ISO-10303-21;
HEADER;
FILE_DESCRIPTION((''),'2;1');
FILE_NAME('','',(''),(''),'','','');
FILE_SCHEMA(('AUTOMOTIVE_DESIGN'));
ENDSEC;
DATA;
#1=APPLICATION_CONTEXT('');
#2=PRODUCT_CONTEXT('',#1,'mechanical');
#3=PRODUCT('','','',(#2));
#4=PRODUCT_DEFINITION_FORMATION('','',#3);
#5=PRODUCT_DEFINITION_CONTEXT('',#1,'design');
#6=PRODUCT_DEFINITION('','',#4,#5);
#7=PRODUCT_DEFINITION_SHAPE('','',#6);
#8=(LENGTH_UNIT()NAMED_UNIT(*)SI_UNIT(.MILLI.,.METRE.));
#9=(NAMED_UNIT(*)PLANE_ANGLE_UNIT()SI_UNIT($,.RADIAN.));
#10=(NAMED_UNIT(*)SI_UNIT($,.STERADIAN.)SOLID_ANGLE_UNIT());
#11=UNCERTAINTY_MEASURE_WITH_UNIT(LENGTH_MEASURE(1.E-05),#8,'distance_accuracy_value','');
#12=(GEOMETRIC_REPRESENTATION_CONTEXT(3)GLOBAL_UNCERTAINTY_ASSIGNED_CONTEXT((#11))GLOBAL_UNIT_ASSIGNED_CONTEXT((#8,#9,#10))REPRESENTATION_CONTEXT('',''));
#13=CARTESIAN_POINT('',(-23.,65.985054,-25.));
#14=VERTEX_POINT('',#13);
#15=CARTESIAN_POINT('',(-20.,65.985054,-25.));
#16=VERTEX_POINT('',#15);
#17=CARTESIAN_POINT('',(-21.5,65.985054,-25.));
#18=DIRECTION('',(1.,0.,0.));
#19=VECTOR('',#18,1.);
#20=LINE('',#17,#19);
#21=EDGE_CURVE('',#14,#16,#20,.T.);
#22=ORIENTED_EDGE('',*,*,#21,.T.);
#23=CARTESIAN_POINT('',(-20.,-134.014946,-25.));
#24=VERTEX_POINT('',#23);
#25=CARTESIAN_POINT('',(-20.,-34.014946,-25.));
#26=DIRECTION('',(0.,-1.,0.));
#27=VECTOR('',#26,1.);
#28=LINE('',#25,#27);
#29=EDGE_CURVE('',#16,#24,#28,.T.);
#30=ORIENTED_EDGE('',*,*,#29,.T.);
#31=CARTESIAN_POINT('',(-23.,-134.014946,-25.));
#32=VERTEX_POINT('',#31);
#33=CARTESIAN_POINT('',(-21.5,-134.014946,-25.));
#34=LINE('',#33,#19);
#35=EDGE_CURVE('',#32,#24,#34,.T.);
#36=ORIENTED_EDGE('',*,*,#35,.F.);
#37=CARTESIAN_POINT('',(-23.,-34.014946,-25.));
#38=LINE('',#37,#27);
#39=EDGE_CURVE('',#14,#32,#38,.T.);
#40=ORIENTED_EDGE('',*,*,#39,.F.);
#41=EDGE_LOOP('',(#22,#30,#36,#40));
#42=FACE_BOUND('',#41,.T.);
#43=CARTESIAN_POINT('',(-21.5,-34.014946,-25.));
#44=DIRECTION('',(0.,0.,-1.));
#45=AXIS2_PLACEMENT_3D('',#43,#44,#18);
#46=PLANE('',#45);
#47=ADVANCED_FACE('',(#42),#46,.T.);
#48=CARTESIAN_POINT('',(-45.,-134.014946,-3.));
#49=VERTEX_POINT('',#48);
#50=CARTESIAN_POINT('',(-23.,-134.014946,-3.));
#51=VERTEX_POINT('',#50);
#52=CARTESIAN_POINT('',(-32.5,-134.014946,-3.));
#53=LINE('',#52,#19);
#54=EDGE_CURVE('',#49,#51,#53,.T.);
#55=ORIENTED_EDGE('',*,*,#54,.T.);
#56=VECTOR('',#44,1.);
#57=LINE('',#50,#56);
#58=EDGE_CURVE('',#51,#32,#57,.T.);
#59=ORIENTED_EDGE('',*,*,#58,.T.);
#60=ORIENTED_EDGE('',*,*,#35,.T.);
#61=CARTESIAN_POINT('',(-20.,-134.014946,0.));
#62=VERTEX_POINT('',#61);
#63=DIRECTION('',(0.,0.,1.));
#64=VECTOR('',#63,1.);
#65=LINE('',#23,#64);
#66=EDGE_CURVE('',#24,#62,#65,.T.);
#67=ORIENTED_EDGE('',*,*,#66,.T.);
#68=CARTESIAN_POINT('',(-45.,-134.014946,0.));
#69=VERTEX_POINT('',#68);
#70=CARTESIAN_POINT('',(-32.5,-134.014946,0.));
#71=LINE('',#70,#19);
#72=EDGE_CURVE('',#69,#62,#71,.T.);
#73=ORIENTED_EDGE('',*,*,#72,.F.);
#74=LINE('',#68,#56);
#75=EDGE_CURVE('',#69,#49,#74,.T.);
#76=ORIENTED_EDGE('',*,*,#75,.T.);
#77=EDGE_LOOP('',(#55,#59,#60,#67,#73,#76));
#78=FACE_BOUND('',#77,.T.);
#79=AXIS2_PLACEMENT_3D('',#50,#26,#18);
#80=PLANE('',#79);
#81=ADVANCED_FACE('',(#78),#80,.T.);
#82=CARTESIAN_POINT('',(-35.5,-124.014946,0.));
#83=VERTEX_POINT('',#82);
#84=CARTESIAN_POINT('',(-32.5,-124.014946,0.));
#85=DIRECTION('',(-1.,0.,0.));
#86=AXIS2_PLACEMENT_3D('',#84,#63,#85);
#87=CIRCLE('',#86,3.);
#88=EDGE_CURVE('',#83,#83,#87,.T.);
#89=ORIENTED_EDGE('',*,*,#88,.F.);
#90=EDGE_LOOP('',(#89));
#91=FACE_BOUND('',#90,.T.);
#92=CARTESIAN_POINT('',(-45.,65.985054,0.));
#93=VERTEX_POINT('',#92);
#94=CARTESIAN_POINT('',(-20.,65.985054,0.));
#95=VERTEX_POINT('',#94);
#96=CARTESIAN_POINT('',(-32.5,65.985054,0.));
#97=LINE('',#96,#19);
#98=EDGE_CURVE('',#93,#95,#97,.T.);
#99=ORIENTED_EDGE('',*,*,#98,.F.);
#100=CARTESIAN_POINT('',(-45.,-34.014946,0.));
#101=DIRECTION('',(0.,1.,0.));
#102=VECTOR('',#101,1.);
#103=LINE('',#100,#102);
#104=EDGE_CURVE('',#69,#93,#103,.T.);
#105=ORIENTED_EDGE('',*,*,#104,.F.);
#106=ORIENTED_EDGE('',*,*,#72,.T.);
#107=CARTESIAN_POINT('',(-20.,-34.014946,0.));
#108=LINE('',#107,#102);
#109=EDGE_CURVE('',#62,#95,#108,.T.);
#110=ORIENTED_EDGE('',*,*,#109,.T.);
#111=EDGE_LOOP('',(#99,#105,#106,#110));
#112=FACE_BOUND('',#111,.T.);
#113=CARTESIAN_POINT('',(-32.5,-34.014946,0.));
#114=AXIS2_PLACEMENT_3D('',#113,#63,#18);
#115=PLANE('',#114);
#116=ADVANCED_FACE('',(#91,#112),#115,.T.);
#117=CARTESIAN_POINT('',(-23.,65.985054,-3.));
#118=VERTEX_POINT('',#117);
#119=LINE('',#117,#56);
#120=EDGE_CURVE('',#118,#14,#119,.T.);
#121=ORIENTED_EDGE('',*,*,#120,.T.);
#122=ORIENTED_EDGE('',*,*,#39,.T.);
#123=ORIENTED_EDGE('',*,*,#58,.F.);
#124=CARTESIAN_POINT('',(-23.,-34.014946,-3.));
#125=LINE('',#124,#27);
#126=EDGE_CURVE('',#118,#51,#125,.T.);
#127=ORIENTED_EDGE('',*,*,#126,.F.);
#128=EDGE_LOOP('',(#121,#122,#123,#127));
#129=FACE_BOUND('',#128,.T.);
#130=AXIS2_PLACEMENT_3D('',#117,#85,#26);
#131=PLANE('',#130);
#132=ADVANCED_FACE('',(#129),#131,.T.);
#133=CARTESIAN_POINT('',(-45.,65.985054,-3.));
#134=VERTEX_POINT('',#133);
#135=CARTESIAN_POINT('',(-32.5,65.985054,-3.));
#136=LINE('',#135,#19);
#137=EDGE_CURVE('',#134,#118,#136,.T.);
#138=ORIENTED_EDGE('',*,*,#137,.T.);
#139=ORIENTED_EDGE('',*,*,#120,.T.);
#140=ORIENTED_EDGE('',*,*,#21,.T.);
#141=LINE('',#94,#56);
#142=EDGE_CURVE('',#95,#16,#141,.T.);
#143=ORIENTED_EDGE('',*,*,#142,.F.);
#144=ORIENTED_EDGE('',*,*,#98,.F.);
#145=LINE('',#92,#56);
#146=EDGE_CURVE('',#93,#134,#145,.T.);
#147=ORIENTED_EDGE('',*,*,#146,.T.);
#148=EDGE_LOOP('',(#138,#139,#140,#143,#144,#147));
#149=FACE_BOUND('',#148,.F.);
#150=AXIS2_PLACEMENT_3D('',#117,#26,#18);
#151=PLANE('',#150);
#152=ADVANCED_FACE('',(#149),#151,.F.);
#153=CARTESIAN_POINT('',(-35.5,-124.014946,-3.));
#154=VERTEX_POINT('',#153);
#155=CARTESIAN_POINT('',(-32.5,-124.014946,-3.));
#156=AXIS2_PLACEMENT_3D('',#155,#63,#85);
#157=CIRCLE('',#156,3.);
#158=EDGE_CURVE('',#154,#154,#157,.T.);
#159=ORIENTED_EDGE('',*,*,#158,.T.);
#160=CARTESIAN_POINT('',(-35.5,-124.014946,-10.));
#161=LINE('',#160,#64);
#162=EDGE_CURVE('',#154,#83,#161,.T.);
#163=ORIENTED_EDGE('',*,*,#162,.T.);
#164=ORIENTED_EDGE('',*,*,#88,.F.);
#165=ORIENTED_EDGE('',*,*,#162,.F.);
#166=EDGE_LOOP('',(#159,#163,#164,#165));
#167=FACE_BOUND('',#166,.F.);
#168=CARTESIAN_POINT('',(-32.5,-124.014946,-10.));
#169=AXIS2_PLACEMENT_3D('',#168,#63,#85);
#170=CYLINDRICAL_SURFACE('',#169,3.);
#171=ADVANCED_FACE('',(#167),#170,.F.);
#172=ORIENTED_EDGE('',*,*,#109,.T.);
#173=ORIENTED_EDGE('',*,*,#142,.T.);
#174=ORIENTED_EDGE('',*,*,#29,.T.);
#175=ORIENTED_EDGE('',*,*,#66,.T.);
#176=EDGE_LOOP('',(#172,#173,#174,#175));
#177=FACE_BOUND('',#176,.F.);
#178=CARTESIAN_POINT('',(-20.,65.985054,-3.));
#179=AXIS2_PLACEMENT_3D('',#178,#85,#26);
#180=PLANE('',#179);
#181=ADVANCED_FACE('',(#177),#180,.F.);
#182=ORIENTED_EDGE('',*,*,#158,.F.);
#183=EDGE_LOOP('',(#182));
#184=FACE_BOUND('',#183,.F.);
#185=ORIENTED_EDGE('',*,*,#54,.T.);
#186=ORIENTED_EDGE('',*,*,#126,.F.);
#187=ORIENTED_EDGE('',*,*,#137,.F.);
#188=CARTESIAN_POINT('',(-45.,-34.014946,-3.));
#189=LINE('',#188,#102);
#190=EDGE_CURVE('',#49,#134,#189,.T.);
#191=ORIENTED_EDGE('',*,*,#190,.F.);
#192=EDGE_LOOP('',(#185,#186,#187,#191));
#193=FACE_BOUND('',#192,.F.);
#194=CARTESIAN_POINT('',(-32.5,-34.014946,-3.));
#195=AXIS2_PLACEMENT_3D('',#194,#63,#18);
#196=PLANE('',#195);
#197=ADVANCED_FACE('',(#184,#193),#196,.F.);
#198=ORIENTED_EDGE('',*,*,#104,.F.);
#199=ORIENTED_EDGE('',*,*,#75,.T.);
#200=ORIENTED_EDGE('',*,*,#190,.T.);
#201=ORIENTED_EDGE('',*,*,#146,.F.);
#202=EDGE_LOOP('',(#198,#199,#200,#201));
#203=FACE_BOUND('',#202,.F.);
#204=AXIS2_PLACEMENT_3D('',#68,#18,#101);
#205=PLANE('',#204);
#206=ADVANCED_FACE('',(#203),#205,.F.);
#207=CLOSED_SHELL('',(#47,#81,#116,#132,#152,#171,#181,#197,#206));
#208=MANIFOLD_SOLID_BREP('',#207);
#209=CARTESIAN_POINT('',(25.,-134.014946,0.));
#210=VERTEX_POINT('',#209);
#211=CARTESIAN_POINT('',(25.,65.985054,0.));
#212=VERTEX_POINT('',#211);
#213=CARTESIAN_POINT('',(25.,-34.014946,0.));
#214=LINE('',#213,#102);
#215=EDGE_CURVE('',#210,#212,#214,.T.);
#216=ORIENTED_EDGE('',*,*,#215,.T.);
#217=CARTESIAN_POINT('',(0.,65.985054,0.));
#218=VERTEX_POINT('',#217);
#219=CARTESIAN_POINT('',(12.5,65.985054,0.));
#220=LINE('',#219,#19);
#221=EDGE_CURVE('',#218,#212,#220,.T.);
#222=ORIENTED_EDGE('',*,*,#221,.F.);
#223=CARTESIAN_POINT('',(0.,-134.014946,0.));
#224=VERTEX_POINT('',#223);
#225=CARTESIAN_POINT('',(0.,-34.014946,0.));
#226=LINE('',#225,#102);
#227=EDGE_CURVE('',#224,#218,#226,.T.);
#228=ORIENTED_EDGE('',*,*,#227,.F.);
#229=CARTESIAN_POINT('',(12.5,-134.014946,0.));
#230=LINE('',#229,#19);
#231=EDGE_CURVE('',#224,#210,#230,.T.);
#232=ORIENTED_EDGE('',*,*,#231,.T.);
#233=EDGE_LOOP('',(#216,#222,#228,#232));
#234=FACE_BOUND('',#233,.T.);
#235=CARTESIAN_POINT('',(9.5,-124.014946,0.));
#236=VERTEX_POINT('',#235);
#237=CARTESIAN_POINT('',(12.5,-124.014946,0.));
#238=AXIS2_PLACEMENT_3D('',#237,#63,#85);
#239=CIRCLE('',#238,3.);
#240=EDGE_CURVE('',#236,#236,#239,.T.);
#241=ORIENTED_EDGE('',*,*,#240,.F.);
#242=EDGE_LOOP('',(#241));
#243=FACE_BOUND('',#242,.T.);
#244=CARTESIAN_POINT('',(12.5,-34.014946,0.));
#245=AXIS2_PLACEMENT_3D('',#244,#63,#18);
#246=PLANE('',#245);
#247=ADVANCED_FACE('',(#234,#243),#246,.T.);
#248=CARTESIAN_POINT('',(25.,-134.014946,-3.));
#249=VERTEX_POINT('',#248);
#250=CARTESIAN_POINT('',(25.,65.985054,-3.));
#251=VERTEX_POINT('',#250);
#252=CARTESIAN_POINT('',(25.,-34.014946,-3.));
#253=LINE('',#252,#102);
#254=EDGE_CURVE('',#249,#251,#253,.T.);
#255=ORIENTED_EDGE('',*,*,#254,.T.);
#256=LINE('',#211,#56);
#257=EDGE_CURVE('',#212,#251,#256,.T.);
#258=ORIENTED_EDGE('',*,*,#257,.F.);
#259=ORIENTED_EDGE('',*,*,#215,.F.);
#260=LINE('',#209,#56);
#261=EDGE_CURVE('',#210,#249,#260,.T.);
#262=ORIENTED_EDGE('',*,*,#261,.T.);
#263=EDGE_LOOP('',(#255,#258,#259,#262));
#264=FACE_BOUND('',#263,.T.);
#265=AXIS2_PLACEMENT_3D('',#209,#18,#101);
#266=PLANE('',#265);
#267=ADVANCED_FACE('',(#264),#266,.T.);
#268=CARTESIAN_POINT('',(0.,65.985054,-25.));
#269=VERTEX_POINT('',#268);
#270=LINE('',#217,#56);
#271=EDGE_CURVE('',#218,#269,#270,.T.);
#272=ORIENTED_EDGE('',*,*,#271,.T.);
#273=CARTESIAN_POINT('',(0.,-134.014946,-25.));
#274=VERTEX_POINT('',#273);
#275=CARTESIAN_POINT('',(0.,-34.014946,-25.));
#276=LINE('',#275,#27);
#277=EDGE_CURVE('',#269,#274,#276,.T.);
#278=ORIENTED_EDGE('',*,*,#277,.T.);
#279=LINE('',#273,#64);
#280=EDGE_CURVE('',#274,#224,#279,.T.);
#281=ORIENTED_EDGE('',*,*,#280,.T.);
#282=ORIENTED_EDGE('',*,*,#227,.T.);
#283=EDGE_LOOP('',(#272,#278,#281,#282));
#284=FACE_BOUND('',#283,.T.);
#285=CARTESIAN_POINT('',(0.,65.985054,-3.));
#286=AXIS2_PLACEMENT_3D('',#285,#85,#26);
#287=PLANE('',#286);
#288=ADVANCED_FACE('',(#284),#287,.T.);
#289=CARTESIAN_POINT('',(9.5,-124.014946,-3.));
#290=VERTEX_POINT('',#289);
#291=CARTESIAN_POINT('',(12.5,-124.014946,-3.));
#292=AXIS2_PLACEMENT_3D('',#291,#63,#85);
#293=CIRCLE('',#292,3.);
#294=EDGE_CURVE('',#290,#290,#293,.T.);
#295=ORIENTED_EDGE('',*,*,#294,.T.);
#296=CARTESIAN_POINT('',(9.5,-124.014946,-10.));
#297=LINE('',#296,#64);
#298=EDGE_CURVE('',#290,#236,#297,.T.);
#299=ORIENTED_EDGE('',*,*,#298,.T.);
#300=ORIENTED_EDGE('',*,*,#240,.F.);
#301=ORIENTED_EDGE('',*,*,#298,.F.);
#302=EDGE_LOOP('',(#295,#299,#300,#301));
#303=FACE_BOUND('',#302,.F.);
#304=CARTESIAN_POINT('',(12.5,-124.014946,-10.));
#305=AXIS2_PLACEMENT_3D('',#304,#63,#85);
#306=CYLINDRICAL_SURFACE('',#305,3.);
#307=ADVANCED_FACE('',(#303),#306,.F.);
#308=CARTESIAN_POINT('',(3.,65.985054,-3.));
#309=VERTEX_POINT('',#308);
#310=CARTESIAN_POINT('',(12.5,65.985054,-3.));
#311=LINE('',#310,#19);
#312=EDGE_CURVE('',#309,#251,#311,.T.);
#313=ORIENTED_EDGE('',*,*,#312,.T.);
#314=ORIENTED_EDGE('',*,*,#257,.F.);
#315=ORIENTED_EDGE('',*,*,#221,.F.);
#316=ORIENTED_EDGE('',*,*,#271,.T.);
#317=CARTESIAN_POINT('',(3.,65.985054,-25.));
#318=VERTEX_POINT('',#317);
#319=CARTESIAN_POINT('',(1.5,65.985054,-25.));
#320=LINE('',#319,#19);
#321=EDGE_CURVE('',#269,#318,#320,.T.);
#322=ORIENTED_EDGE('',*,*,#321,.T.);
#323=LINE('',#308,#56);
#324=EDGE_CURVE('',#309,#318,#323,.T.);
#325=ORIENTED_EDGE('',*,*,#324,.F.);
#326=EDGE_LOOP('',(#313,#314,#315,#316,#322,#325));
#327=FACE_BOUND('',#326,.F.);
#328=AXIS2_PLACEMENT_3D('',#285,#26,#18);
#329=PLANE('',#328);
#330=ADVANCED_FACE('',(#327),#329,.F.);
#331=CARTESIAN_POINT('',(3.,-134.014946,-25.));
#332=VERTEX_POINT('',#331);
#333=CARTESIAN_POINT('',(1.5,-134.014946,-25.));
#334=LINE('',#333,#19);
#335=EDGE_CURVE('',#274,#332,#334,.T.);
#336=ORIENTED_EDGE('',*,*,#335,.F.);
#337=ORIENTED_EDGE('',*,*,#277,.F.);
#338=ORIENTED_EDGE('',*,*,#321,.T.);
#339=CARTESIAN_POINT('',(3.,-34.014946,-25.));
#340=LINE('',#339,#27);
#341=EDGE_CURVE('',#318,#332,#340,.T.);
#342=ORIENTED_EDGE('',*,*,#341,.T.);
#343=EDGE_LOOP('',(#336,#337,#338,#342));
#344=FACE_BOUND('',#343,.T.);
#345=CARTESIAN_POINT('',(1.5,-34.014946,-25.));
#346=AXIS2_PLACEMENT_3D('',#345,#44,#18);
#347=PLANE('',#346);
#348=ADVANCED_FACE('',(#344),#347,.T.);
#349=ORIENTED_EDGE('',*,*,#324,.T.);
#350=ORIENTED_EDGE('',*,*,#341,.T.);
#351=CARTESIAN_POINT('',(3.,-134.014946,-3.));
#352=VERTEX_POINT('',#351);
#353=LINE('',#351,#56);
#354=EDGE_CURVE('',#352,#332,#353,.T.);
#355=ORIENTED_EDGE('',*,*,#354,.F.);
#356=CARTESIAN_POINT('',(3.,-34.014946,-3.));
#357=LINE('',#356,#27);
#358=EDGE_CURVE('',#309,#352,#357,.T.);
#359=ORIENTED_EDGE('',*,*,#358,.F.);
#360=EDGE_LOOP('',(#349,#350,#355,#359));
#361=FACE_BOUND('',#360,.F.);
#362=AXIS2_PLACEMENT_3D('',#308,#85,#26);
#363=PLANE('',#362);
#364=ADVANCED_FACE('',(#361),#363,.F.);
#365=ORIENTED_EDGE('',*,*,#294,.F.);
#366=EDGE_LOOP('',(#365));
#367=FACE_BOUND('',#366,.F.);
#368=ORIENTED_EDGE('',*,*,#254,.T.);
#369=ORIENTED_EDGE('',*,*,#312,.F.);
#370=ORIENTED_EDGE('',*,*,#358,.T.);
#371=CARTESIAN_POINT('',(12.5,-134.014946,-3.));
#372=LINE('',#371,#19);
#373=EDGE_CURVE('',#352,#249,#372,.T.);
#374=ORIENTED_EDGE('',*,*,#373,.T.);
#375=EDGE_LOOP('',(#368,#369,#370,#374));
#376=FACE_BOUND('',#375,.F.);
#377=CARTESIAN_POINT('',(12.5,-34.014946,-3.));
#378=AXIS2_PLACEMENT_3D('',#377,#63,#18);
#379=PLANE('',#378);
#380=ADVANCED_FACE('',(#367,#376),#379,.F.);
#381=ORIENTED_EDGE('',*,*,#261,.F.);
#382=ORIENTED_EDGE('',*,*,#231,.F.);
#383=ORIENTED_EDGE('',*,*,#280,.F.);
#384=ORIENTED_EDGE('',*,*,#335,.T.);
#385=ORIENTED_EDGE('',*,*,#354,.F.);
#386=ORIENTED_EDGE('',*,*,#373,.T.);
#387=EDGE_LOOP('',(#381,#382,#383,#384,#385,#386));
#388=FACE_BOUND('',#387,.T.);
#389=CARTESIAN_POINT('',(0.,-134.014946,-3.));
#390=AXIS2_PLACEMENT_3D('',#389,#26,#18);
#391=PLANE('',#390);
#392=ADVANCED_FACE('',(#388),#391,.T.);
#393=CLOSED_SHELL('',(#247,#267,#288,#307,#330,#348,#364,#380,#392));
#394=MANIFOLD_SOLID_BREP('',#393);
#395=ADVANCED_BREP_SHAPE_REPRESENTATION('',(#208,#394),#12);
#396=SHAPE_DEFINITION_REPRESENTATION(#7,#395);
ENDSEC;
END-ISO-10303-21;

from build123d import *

# Parameters (mm, degrees)
F0_W     = 25
F0_H     = 200
F1_DEPTH = 3
F2_W     = 3
F2_H     = 200
F3_DEPTH = 22
F5_D     = 6
F5_DEPTH = 7


with BuildPart() as f1:
    # F0 (on Top) → F1 (new body)
    with BuildSketch(Plane.XY):
        with Locations((-32.5, -34.014946)):
            Rectangle(F0_W, F0_H)
        with Locations((12.5, -34.014946)):
            Rectangle(F0_W, F0_H)
    extrude(amount=-F1_DEPTH)

    # F2 (on face) → F3 (join)
    with BuildSketch(Plane(origin=(0, 0, -3), x_dir=(1, 0, 0), z_dir=(0, 0, -1))):
        with Locations((-21.5, 34.014946)):
            Rectangle(F2_W, F2_H)
        with Locations((1.5, 34.014946)):
            Rectangle(F2_W, F2_H)
    extrude(amount=F3_DEPTH)

    # F5
    with Locations(Plane(origin=(0, 0, -3), x_dir=(1, 0, 0), z_dir=(0, 0, -1))):
        with Locations((-32.5, 124.014946), (12.5, 124.014946)):
            Hole(F5_D / 2, depth=F5_DEPTH)


with BuildPart() as f6_1:
    # F6: copy of F1
    add(f1.part)


solid = f1.part
